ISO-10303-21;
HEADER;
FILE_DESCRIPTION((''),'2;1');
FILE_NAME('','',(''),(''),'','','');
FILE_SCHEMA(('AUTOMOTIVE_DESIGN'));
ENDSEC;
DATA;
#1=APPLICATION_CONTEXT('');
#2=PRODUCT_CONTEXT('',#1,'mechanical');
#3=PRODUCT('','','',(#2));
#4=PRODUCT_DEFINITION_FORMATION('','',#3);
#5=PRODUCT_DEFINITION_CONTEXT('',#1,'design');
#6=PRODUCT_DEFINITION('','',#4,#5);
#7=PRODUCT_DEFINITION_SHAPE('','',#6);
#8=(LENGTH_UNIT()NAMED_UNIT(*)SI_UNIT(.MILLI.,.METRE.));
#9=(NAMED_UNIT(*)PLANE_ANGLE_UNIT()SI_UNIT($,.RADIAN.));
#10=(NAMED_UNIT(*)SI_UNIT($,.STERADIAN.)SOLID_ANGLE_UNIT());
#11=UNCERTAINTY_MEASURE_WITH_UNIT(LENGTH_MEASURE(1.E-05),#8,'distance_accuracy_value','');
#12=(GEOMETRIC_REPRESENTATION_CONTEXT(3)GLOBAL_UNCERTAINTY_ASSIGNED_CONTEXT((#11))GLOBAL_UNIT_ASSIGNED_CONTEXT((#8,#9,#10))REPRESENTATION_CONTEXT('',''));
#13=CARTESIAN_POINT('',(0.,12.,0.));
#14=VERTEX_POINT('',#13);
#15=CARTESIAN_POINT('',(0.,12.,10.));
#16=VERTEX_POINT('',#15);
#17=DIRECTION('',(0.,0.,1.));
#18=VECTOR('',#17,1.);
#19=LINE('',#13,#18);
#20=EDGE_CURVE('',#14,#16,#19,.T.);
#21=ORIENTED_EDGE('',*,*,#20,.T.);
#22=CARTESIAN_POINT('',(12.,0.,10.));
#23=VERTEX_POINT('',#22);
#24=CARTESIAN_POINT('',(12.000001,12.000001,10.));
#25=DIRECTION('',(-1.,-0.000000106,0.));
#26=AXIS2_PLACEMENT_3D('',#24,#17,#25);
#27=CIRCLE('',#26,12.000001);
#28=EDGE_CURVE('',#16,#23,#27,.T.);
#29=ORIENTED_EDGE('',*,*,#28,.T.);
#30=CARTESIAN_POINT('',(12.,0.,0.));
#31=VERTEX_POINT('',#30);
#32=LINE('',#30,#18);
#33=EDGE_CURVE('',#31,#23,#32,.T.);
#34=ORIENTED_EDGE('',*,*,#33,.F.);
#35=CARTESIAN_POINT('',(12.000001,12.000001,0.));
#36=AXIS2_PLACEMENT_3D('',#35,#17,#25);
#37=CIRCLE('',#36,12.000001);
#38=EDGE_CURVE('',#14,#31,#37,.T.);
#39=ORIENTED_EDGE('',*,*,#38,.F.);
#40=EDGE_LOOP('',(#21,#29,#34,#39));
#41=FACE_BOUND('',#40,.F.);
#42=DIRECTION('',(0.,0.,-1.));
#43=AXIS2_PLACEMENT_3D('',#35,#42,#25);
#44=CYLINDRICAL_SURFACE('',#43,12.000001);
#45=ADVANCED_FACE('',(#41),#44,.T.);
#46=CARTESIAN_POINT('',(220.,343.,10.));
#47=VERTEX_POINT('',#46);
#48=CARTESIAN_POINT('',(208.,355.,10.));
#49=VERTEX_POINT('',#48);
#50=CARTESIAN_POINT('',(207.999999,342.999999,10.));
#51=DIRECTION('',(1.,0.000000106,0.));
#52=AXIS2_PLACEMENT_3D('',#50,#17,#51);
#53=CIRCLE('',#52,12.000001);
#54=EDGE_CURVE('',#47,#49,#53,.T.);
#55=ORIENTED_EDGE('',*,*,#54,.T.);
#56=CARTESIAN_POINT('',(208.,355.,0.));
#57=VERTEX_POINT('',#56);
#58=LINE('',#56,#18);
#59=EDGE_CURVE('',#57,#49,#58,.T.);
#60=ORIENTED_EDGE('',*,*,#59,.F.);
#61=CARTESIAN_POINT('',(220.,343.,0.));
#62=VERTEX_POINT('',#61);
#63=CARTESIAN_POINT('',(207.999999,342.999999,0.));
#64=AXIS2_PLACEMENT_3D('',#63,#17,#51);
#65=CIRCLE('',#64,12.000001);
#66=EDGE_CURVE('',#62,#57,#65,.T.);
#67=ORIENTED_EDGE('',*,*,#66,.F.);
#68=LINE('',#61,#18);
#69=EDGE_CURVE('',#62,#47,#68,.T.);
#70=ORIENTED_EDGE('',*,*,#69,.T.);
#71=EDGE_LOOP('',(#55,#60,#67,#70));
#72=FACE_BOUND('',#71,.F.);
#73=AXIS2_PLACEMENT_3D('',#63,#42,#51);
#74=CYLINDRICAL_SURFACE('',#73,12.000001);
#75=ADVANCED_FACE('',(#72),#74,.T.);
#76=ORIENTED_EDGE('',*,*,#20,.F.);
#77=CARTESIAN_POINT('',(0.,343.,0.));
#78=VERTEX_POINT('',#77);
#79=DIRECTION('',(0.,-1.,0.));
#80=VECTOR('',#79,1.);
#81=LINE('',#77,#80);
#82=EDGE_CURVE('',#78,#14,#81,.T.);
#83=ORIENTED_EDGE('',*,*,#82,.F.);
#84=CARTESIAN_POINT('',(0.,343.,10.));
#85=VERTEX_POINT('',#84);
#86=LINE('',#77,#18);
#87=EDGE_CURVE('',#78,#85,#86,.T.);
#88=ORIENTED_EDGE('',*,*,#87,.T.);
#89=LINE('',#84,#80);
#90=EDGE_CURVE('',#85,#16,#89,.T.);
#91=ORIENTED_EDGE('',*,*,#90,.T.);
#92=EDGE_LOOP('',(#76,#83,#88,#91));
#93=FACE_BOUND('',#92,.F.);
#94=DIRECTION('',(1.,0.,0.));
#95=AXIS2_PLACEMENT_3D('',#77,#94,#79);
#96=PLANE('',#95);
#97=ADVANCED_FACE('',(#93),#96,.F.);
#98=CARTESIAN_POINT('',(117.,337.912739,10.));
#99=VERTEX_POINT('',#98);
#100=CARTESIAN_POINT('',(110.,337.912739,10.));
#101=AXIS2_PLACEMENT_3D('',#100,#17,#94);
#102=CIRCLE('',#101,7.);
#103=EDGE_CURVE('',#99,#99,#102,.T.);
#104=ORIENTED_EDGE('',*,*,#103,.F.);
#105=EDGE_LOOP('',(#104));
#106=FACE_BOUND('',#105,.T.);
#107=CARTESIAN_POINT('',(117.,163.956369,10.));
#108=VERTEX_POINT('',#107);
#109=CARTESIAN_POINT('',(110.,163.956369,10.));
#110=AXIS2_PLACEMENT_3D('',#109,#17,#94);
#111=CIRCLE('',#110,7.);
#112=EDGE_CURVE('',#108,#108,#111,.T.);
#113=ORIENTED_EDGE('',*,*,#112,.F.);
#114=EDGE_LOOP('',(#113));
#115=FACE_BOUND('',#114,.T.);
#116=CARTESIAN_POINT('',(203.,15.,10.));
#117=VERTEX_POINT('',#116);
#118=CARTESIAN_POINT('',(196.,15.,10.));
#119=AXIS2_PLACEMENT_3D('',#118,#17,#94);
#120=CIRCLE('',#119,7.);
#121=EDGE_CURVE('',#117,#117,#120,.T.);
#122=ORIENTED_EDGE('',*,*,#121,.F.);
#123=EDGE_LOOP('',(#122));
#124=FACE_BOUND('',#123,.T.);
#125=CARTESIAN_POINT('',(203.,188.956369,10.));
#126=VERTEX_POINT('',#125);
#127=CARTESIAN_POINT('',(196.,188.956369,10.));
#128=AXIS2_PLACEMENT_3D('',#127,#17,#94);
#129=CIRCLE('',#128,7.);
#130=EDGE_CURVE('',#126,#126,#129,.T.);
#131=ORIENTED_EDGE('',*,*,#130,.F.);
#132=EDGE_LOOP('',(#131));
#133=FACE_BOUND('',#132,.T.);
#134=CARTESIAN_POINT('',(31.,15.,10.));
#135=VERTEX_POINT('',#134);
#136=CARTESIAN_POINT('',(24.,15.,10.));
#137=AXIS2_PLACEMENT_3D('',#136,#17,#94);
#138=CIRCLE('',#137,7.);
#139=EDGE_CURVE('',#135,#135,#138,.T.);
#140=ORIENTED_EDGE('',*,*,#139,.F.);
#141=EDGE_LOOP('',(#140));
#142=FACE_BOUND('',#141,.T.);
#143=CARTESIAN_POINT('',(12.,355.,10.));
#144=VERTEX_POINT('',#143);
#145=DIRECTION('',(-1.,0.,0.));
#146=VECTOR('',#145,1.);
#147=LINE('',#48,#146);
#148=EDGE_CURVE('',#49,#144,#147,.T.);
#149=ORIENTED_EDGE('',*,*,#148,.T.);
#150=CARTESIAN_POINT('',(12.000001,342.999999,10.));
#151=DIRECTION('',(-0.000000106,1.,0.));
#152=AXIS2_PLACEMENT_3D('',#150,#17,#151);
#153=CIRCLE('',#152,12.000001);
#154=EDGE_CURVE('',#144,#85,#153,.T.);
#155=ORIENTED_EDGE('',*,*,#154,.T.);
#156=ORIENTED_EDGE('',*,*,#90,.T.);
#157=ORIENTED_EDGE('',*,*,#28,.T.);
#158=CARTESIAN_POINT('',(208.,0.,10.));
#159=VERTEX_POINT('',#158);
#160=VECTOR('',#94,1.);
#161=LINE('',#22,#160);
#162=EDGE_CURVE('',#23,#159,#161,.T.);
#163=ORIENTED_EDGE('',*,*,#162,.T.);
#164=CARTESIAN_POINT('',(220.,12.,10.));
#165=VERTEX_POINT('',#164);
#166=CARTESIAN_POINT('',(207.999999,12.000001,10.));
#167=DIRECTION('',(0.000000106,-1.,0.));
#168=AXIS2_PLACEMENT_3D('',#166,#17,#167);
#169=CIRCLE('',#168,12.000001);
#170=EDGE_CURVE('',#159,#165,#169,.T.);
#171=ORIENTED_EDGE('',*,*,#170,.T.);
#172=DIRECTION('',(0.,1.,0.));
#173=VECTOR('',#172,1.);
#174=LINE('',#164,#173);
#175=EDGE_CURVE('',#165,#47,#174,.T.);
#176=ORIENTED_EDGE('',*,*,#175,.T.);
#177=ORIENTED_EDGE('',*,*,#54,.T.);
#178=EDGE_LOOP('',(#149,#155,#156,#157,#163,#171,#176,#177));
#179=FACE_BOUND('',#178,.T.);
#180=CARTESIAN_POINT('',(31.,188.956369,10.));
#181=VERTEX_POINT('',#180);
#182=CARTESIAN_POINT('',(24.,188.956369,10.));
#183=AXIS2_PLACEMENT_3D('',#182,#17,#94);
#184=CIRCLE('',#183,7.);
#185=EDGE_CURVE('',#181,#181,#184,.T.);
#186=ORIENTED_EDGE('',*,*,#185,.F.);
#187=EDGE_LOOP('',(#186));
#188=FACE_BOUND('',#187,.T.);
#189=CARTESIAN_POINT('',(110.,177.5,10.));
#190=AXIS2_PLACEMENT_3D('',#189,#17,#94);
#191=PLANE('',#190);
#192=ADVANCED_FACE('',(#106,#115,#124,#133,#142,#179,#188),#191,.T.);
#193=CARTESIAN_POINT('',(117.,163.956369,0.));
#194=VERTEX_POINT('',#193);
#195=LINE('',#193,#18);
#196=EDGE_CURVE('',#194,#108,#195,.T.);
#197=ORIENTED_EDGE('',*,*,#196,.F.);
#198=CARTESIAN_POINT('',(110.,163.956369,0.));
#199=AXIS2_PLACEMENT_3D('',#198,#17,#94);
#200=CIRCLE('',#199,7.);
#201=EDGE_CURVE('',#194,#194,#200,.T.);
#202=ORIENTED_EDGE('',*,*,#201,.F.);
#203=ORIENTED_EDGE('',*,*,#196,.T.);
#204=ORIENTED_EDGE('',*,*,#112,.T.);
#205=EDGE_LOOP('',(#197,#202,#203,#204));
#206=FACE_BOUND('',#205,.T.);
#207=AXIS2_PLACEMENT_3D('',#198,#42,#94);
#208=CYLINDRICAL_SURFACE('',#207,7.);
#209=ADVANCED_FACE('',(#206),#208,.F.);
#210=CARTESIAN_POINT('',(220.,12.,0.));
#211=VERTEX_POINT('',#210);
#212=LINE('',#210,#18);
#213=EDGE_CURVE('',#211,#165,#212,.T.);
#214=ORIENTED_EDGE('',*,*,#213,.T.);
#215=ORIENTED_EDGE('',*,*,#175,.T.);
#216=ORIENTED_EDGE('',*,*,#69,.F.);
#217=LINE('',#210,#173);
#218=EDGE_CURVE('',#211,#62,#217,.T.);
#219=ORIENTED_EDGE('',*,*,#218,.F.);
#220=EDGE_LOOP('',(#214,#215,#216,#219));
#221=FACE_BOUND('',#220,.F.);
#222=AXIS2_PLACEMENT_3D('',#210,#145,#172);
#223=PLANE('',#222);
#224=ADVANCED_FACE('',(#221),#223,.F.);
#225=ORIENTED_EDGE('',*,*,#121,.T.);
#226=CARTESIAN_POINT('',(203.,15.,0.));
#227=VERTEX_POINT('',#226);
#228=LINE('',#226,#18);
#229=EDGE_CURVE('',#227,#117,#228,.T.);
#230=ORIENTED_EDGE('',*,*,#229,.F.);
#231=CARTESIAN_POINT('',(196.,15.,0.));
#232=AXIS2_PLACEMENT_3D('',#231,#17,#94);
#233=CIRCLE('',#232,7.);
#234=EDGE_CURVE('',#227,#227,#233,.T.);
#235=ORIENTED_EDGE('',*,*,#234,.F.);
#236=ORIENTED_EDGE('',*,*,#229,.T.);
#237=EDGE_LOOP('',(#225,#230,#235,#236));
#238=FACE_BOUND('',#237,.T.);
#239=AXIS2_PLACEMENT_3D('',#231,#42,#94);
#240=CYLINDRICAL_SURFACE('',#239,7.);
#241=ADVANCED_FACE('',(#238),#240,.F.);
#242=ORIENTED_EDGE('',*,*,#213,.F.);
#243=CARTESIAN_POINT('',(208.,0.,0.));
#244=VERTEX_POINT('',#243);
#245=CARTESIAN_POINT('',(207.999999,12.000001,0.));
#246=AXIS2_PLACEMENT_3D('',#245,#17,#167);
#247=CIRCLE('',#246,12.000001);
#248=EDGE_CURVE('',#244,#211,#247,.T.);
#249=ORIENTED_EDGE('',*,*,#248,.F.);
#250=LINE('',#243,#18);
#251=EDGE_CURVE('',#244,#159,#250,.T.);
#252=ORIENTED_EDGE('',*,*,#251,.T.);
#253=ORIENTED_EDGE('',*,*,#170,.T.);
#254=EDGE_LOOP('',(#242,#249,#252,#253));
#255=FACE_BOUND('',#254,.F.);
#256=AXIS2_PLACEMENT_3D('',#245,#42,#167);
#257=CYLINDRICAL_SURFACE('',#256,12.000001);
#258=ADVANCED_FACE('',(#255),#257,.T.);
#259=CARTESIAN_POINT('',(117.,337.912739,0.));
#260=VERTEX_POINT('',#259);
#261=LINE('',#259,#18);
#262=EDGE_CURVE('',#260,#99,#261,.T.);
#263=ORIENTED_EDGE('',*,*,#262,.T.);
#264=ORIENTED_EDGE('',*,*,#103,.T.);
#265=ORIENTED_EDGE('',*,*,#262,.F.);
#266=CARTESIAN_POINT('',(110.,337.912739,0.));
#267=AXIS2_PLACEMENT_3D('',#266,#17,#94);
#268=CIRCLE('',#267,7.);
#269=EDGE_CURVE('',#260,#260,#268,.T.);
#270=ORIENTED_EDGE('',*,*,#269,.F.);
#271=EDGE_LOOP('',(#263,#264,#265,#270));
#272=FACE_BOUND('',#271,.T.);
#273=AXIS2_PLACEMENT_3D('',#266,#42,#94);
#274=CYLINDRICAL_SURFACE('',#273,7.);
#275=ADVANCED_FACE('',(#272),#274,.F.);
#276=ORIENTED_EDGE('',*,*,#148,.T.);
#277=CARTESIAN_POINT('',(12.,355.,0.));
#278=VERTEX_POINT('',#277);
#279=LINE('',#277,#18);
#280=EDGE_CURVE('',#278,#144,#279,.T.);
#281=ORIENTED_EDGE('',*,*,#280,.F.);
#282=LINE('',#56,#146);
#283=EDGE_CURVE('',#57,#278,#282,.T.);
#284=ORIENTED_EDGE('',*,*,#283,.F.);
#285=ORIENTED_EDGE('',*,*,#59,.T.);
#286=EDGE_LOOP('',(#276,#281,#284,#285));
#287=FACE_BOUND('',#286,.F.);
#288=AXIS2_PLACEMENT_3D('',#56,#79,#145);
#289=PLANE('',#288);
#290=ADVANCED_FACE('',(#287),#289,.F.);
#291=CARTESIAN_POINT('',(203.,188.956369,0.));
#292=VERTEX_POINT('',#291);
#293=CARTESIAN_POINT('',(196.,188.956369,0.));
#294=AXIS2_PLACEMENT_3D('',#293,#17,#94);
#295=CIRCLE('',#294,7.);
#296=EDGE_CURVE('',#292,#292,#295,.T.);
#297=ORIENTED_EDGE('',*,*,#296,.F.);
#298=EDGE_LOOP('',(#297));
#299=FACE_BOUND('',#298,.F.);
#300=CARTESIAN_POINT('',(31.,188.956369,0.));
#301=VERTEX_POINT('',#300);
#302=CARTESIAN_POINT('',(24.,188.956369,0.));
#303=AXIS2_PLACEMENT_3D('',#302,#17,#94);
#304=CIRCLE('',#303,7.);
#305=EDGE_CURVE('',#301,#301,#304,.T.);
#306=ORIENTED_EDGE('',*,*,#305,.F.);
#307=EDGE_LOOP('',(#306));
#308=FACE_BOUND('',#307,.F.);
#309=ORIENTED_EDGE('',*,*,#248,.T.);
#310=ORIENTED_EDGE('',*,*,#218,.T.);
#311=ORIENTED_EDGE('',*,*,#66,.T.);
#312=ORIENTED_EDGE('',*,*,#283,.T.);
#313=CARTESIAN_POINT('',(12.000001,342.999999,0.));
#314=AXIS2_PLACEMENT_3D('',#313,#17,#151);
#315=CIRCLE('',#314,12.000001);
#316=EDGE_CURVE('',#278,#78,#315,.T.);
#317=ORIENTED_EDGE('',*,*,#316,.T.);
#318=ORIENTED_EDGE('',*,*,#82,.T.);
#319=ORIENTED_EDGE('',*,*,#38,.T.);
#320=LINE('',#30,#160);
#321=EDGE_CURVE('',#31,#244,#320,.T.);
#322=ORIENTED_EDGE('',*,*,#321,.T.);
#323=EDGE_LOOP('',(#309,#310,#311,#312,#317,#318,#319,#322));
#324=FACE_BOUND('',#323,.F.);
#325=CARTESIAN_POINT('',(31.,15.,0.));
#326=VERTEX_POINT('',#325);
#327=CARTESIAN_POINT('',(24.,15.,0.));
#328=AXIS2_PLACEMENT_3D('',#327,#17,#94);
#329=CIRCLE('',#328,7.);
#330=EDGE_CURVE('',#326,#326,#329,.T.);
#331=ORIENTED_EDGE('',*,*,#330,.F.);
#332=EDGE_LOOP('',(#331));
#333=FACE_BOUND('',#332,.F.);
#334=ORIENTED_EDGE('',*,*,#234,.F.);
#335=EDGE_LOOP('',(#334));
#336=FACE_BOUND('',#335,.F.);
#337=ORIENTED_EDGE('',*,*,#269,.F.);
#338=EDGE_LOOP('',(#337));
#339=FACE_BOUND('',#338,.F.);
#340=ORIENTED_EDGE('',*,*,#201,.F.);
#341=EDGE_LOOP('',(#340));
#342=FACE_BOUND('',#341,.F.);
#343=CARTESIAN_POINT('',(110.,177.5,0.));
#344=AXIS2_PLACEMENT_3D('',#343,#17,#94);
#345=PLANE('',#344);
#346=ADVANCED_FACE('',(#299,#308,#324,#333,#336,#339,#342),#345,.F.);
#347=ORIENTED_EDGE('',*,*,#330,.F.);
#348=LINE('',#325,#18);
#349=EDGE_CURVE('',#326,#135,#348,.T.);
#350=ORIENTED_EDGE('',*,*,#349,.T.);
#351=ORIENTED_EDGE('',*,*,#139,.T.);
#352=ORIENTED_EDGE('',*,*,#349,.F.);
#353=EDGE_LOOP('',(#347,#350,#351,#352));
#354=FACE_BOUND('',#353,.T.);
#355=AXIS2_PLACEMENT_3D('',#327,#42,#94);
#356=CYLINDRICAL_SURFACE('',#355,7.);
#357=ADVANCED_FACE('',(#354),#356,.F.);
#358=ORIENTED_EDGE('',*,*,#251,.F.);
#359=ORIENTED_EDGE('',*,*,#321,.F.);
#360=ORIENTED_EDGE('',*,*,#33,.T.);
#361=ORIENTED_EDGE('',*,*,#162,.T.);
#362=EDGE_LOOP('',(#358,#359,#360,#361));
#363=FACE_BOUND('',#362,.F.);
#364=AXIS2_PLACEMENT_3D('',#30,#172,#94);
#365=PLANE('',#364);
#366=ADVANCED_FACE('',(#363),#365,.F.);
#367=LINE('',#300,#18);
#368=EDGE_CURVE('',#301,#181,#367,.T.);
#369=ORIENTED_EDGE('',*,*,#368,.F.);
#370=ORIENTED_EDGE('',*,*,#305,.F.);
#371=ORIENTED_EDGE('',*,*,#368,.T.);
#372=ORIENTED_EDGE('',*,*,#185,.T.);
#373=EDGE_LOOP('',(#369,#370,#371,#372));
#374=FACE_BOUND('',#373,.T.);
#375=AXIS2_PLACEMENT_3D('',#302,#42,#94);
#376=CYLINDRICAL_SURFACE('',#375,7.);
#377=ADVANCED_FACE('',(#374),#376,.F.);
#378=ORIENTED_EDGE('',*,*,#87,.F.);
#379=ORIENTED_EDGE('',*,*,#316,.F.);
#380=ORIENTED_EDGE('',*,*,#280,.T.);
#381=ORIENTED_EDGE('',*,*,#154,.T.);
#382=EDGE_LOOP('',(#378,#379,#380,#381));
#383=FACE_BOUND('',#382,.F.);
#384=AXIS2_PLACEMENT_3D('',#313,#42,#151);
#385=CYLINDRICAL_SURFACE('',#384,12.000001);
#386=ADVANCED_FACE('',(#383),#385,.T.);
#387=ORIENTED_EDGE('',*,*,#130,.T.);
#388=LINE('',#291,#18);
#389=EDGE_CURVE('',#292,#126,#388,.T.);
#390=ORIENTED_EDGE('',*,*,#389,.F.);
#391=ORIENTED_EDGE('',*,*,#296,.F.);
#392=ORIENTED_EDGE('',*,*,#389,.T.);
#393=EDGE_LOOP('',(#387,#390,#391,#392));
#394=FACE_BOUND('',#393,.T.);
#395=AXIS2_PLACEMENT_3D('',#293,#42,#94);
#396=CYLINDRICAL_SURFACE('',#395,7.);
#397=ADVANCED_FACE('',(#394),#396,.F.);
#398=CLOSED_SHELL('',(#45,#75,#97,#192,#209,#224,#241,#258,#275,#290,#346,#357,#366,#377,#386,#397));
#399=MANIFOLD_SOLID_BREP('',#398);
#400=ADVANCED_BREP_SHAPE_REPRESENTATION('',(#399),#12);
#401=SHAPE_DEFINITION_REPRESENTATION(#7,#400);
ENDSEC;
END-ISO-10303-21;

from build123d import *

# Parameters (mm, degrees)
F0_R     = 7
F1_DEPTH = 10


with BuildPart() as f1:
    # F0 (on Top) → F1 (new body)
    with BuildSketch(Plane.XY):
        with BuildLine():
            ThreePointArc((0, 12), (3.514719, 3.514719), (12, 0))
            Line((12, 0), (208, 0))
            ThreePointArc((208, 0), (216.485281, 3.514719), (220, 12))
            Line((220, 12), (220, 343))
            ThreePointArc((220, 343), (216.485281, 351.485281), (208, 355))
            Line((208, 355), (12, 355))
            ThreePointArc((12, 355), (3.514719, 351.485281), (0, 343))
            Line((0, 343), (0, 12))
        make_face()
        with Locations((24, 15)):
            Circle(F0_R, mode=Mode.SUBTRACT)
        with Locations((196, 15)):
            Circle(F0_R, mode=Mode.SUBTRACT)
        with Locations((110, 163.956369)):
            Circle(F0_R, mode=Mode.SUBTRACT)
        with Locations((24, 188.956369)):
            Circle(F0_R, mode=Mode.SUBTRACT)
        with Locations((196, 188.956369)):
            Circle(F0_R, mode=Mode.SUBTRACT)
        with Locations((110, 337.912739)):
            Circle(F0_R, mode=Mode.SUBTRACT)
    extrude(amount=F1_DEPTH)


solid = f1.part
